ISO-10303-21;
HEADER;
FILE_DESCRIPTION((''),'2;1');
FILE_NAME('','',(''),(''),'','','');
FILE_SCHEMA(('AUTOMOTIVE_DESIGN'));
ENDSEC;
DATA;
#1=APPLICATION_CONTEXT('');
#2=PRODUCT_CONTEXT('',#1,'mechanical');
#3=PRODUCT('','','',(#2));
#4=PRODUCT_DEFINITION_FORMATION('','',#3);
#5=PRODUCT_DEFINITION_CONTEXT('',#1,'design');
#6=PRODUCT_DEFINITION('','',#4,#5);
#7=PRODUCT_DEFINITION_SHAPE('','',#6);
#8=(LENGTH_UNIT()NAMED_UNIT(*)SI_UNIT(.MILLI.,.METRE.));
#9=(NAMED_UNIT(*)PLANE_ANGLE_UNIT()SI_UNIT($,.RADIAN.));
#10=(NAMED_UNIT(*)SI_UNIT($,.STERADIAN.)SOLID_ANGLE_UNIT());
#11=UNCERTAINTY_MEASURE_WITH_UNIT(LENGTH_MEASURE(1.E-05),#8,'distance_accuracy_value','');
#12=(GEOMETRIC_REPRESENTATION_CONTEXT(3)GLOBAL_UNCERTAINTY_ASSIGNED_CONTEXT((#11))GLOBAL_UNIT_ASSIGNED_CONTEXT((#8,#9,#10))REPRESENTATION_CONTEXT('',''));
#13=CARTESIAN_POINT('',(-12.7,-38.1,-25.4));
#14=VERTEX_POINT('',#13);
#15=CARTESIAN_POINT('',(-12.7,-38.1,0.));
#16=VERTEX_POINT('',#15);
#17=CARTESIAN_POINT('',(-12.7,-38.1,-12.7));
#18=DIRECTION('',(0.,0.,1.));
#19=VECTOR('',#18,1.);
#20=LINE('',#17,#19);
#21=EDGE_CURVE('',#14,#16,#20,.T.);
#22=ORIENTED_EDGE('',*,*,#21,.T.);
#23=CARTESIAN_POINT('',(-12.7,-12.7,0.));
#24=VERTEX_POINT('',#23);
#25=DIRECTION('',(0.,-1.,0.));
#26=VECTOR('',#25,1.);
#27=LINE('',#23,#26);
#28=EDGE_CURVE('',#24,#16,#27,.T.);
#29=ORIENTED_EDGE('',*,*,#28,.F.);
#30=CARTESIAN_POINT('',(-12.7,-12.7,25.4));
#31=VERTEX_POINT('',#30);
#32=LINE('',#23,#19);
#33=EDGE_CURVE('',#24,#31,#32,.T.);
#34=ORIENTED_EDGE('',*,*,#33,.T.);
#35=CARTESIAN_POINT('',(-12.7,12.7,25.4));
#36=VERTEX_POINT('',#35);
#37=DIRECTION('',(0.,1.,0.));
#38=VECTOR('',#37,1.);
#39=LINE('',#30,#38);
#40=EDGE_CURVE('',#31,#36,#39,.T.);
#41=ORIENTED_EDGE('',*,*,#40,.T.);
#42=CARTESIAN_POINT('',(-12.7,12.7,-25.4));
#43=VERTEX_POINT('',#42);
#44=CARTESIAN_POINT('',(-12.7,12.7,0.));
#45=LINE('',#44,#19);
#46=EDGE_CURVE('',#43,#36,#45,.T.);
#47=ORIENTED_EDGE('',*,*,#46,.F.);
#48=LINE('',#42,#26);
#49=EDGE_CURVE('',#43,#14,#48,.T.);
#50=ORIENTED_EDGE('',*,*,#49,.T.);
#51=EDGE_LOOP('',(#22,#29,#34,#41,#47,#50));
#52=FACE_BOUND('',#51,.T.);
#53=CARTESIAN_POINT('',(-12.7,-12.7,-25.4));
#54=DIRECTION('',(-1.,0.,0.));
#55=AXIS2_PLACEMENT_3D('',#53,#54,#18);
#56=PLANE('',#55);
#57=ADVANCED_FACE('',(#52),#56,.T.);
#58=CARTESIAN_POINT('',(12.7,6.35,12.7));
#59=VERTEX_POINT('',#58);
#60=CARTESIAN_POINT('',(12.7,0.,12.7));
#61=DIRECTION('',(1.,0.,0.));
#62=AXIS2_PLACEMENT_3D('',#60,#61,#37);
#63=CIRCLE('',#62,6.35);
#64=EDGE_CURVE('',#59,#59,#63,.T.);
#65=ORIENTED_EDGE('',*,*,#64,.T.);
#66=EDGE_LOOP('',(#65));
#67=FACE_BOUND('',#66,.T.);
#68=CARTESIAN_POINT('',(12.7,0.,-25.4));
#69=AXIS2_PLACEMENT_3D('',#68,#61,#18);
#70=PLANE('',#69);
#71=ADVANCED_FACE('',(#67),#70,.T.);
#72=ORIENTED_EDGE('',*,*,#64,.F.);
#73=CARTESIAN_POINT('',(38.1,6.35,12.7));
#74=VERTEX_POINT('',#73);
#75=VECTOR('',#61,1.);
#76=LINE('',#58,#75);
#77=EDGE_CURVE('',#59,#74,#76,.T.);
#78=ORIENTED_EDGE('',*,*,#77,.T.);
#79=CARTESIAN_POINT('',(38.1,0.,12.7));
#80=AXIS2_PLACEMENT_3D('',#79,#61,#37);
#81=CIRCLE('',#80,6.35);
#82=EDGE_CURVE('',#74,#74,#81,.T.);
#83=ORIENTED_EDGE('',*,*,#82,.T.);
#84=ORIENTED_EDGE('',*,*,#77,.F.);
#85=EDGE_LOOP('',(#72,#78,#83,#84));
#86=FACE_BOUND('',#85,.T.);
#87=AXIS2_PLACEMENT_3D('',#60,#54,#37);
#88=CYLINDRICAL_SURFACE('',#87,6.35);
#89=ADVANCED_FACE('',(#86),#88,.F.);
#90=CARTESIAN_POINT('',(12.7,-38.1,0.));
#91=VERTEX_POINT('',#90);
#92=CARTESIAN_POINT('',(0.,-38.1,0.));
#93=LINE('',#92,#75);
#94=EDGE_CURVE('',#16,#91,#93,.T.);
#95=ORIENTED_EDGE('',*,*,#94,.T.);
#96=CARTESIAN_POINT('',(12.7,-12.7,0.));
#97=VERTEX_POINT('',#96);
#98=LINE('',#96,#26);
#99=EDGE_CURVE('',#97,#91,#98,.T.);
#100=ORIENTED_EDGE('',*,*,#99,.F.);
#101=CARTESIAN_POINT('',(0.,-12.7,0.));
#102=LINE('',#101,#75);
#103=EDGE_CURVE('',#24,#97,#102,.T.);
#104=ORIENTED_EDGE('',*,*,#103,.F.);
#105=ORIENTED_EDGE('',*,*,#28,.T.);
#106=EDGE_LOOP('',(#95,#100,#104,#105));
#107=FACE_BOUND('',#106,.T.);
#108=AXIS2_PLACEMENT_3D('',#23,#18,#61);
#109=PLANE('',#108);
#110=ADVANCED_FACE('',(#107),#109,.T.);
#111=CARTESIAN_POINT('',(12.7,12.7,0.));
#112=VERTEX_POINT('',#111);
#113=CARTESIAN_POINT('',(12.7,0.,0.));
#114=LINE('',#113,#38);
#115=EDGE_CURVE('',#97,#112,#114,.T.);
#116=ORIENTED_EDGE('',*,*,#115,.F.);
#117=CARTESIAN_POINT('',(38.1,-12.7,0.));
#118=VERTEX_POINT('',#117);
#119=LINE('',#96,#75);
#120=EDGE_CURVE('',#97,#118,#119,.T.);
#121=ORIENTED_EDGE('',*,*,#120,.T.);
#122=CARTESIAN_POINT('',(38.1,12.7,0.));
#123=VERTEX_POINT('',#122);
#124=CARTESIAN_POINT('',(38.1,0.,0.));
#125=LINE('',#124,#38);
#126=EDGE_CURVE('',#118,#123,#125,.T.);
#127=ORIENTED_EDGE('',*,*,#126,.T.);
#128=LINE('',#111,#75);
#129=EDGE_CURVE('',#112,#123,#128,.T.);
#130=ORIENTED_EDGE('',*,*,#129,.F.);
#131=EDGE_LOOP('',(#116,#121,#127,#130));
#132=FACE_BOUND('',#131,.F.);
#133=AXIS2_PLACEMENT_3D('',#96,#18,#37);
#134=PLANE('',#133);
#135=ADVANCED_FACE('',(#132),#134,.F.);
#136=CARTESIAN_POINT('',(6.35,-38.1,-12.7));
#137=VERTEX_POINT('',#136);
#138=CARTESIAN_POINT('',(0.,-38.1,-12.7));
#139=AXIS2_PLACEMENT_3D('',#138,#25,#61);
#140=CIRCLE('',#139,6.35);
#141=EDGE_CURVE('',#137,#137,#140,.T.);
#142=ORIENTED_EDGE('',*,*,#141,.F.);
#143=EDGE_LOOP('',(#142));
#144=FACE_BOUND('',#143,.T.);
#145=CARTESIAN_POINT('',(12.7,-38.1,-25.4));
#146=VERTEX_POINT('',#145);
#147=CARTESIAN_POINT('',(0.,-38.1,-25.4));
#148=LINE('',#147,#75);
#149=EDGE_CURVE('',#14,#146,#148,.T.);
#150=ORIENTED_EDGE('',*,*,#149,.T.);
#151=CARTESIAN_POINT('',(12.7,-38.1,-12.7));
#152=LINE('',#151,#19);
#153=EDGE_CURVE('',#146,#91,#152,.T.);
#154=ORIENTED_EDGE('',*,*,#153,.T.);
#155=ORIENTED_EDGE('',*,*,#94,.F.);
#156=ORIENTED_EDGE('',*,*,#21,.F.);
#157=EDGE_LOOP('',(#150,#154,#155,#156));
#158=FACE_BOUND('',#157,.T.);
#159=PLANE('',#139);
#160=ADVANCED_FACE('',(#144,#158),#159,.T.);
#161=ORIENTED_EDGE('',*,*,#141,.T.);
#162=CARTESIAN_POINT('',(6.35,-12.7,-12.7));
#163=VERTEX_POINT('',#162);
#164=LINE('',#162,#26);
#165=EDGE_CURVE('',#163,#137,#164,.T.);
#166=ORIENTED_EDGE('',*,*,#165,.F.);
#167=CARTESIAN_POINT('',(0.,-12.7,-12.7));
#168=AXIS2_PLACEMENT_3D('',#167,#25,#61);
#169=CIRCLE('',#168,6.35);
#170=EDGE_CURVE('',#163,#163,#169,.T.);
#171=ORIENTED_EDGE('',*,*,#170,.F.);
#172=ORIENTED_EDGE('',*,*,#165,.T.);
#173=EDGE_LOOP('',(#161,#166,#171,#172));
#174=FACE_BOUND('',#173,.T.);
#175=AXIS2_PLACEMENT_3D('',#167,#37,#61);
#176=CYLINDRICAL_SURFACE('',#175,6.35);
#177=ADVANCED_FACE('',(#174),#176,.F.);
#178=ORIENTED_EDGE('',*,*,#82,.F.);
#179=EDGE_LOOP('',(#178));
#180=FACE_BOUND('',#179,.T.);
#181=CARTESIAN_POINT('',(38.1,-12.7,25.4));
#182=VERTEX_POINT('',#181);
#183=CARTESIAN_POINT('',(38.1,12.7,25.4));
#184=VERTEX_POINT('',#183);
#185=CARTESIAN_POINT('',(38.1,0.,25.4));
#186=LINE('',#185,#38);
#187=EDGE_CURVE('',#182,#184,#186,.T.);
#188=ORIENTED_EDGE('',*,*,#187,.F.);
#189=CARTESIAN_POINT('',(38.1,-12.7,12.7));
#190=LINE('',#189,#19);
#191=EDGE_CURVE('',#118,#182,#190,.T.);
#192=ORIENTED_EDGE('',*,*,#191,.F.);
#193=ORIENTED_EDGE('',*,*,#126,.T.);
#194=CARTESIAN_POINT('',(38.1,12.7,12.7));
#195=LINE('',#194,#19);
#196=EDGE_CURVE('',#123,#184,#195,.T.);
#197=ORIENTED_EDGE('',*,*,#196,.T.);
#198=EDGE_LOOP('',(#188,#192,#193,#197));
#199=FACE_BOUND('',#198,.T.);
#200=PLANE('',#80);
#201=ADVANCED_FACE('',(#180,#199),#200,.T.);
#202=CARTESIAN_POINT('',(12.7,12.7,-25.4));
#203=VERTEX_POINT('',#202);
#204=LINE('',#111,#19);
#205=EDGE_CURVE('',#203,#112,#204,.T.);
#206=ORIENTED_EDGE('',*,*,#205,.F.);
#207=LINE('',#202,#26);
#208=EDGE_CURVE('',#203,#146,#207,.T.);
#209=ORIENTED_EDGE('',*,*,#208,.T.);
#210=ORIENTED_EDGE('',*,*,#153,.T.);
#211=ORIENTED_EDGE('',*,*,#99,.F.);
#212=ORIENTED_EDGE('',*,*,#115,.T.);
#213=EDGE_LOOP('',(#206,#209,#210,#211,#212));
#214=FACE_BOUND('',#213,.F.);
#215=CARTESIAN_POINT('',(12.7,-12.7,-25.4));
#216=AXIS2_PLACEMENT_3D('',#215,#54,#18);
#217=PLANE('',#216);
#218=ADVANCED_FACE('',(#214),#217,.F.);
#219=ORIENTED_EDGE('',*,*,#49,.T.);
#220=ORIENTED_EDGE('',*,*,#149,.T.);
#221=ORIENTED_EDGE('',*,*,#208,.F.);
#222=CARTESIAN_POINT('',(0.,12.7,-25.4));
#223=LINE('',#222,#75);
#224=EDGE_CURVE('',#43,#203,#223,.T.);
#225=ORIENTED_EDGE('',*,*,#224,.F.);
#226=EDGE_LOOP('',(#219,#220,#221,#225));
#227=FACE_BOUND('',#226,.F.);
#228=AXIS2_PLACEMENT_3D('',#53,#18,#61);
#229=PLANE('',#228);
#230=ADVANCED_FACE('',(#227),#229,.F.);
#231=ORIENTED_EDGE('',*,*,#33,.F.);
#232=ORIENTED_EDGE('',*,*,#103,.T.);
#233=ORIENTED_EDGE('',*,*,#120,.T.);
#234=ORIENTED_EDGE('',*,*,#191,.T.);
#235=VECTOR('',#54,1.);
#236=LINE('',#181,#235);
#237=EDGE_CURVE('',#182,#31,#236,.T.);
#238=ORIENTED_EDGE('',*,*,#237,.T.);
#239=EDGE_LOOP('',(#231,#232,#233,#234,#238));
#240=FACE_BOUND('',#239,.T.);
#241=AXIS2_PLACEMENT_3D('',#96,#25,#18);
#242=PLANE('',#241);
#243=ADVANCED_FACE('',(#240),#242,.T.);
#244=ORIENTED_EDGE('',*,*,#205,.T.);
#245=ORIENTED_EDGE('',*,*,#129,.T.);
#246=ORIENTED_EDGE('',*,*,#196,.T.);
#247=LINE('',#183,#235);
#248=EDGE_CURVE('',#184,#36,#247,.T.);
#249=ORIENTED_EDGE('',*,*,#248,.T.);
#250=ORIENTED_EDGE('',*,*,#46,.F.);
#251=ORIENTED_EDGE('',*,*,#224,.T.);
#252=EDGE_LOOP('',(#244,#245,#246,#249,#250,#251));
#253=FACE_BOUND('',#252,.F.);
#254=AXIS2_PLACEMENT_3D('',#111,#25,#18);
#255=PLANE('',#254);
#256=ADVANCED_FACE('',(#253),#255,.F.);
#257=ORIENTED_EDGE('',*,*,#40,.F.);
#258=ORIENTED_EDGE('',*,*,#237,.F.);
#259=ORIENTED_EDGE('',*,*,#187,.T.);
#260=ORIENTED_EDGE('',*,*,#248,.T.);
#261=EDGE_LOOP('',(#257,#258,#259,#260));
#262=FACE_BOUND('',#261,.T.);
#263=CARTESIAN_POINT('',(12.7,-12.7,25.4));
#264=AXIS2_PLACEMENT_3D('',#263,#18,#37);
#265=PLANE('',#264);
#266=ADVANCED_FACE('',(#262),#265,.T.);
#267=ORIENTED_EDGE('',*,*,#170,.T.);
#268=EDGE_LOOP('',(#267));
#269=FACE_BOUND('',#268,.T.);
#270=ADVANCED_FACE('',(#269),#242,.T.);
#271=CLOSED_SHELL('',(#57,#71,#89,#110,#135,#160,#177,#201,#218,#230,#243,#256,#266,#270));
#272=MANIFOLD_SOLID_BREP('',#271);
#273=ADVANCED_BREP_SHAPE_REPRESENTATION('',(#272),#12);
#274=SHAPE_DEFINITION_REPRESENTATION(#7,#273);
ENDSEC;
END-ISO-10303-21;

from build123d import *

# Parameters (mm, degrees)
F0_W     = 25.4
F0_H     = 50.8
F1_DEPTH = 12.7
F3_W     = 25.4
F3_H     = 25.4
F3_R     = 6.35
F4_DEPTH = 25.4
F2_W     = 25.4
F2_H     = 25.4
F2_R     = 6.35
F5_DEPTH = 25.4


with BuildPart() as f1:
    # F0 (on Front) → F1 (new body, symmetric)
    with BuildSketch(Plane.XZ):
        Rectangle(F0_W, F0_H)
    extrude(amount=F1_DEPTH, both=True)

    # F3 (on face) → F4 (join)
    with BuildSketch(Plane.YZ.offset(12.7)):
        with Locations((0, 12.7)):
            Rectangle(F3_W, F3_H)
        with Locations((0, 12.7)):
            Circle(F3_R, mode=Mode.SUBTRACT)
    extrude(amount=F4_DEPTH)

    # F2 (on face) → F5 (join)
    with BuildSketch(Plane.XZ.offset(12.7)):
        with Locations((0, -12.7)):
            Rectangle(F2_W, F2_H)
        with Locations((0, -12.7)):
            Circle(F2_R, mode=Mode.SUBTRACT)
    extrude(amount=F5_DEPTH)


solid = f1.part
